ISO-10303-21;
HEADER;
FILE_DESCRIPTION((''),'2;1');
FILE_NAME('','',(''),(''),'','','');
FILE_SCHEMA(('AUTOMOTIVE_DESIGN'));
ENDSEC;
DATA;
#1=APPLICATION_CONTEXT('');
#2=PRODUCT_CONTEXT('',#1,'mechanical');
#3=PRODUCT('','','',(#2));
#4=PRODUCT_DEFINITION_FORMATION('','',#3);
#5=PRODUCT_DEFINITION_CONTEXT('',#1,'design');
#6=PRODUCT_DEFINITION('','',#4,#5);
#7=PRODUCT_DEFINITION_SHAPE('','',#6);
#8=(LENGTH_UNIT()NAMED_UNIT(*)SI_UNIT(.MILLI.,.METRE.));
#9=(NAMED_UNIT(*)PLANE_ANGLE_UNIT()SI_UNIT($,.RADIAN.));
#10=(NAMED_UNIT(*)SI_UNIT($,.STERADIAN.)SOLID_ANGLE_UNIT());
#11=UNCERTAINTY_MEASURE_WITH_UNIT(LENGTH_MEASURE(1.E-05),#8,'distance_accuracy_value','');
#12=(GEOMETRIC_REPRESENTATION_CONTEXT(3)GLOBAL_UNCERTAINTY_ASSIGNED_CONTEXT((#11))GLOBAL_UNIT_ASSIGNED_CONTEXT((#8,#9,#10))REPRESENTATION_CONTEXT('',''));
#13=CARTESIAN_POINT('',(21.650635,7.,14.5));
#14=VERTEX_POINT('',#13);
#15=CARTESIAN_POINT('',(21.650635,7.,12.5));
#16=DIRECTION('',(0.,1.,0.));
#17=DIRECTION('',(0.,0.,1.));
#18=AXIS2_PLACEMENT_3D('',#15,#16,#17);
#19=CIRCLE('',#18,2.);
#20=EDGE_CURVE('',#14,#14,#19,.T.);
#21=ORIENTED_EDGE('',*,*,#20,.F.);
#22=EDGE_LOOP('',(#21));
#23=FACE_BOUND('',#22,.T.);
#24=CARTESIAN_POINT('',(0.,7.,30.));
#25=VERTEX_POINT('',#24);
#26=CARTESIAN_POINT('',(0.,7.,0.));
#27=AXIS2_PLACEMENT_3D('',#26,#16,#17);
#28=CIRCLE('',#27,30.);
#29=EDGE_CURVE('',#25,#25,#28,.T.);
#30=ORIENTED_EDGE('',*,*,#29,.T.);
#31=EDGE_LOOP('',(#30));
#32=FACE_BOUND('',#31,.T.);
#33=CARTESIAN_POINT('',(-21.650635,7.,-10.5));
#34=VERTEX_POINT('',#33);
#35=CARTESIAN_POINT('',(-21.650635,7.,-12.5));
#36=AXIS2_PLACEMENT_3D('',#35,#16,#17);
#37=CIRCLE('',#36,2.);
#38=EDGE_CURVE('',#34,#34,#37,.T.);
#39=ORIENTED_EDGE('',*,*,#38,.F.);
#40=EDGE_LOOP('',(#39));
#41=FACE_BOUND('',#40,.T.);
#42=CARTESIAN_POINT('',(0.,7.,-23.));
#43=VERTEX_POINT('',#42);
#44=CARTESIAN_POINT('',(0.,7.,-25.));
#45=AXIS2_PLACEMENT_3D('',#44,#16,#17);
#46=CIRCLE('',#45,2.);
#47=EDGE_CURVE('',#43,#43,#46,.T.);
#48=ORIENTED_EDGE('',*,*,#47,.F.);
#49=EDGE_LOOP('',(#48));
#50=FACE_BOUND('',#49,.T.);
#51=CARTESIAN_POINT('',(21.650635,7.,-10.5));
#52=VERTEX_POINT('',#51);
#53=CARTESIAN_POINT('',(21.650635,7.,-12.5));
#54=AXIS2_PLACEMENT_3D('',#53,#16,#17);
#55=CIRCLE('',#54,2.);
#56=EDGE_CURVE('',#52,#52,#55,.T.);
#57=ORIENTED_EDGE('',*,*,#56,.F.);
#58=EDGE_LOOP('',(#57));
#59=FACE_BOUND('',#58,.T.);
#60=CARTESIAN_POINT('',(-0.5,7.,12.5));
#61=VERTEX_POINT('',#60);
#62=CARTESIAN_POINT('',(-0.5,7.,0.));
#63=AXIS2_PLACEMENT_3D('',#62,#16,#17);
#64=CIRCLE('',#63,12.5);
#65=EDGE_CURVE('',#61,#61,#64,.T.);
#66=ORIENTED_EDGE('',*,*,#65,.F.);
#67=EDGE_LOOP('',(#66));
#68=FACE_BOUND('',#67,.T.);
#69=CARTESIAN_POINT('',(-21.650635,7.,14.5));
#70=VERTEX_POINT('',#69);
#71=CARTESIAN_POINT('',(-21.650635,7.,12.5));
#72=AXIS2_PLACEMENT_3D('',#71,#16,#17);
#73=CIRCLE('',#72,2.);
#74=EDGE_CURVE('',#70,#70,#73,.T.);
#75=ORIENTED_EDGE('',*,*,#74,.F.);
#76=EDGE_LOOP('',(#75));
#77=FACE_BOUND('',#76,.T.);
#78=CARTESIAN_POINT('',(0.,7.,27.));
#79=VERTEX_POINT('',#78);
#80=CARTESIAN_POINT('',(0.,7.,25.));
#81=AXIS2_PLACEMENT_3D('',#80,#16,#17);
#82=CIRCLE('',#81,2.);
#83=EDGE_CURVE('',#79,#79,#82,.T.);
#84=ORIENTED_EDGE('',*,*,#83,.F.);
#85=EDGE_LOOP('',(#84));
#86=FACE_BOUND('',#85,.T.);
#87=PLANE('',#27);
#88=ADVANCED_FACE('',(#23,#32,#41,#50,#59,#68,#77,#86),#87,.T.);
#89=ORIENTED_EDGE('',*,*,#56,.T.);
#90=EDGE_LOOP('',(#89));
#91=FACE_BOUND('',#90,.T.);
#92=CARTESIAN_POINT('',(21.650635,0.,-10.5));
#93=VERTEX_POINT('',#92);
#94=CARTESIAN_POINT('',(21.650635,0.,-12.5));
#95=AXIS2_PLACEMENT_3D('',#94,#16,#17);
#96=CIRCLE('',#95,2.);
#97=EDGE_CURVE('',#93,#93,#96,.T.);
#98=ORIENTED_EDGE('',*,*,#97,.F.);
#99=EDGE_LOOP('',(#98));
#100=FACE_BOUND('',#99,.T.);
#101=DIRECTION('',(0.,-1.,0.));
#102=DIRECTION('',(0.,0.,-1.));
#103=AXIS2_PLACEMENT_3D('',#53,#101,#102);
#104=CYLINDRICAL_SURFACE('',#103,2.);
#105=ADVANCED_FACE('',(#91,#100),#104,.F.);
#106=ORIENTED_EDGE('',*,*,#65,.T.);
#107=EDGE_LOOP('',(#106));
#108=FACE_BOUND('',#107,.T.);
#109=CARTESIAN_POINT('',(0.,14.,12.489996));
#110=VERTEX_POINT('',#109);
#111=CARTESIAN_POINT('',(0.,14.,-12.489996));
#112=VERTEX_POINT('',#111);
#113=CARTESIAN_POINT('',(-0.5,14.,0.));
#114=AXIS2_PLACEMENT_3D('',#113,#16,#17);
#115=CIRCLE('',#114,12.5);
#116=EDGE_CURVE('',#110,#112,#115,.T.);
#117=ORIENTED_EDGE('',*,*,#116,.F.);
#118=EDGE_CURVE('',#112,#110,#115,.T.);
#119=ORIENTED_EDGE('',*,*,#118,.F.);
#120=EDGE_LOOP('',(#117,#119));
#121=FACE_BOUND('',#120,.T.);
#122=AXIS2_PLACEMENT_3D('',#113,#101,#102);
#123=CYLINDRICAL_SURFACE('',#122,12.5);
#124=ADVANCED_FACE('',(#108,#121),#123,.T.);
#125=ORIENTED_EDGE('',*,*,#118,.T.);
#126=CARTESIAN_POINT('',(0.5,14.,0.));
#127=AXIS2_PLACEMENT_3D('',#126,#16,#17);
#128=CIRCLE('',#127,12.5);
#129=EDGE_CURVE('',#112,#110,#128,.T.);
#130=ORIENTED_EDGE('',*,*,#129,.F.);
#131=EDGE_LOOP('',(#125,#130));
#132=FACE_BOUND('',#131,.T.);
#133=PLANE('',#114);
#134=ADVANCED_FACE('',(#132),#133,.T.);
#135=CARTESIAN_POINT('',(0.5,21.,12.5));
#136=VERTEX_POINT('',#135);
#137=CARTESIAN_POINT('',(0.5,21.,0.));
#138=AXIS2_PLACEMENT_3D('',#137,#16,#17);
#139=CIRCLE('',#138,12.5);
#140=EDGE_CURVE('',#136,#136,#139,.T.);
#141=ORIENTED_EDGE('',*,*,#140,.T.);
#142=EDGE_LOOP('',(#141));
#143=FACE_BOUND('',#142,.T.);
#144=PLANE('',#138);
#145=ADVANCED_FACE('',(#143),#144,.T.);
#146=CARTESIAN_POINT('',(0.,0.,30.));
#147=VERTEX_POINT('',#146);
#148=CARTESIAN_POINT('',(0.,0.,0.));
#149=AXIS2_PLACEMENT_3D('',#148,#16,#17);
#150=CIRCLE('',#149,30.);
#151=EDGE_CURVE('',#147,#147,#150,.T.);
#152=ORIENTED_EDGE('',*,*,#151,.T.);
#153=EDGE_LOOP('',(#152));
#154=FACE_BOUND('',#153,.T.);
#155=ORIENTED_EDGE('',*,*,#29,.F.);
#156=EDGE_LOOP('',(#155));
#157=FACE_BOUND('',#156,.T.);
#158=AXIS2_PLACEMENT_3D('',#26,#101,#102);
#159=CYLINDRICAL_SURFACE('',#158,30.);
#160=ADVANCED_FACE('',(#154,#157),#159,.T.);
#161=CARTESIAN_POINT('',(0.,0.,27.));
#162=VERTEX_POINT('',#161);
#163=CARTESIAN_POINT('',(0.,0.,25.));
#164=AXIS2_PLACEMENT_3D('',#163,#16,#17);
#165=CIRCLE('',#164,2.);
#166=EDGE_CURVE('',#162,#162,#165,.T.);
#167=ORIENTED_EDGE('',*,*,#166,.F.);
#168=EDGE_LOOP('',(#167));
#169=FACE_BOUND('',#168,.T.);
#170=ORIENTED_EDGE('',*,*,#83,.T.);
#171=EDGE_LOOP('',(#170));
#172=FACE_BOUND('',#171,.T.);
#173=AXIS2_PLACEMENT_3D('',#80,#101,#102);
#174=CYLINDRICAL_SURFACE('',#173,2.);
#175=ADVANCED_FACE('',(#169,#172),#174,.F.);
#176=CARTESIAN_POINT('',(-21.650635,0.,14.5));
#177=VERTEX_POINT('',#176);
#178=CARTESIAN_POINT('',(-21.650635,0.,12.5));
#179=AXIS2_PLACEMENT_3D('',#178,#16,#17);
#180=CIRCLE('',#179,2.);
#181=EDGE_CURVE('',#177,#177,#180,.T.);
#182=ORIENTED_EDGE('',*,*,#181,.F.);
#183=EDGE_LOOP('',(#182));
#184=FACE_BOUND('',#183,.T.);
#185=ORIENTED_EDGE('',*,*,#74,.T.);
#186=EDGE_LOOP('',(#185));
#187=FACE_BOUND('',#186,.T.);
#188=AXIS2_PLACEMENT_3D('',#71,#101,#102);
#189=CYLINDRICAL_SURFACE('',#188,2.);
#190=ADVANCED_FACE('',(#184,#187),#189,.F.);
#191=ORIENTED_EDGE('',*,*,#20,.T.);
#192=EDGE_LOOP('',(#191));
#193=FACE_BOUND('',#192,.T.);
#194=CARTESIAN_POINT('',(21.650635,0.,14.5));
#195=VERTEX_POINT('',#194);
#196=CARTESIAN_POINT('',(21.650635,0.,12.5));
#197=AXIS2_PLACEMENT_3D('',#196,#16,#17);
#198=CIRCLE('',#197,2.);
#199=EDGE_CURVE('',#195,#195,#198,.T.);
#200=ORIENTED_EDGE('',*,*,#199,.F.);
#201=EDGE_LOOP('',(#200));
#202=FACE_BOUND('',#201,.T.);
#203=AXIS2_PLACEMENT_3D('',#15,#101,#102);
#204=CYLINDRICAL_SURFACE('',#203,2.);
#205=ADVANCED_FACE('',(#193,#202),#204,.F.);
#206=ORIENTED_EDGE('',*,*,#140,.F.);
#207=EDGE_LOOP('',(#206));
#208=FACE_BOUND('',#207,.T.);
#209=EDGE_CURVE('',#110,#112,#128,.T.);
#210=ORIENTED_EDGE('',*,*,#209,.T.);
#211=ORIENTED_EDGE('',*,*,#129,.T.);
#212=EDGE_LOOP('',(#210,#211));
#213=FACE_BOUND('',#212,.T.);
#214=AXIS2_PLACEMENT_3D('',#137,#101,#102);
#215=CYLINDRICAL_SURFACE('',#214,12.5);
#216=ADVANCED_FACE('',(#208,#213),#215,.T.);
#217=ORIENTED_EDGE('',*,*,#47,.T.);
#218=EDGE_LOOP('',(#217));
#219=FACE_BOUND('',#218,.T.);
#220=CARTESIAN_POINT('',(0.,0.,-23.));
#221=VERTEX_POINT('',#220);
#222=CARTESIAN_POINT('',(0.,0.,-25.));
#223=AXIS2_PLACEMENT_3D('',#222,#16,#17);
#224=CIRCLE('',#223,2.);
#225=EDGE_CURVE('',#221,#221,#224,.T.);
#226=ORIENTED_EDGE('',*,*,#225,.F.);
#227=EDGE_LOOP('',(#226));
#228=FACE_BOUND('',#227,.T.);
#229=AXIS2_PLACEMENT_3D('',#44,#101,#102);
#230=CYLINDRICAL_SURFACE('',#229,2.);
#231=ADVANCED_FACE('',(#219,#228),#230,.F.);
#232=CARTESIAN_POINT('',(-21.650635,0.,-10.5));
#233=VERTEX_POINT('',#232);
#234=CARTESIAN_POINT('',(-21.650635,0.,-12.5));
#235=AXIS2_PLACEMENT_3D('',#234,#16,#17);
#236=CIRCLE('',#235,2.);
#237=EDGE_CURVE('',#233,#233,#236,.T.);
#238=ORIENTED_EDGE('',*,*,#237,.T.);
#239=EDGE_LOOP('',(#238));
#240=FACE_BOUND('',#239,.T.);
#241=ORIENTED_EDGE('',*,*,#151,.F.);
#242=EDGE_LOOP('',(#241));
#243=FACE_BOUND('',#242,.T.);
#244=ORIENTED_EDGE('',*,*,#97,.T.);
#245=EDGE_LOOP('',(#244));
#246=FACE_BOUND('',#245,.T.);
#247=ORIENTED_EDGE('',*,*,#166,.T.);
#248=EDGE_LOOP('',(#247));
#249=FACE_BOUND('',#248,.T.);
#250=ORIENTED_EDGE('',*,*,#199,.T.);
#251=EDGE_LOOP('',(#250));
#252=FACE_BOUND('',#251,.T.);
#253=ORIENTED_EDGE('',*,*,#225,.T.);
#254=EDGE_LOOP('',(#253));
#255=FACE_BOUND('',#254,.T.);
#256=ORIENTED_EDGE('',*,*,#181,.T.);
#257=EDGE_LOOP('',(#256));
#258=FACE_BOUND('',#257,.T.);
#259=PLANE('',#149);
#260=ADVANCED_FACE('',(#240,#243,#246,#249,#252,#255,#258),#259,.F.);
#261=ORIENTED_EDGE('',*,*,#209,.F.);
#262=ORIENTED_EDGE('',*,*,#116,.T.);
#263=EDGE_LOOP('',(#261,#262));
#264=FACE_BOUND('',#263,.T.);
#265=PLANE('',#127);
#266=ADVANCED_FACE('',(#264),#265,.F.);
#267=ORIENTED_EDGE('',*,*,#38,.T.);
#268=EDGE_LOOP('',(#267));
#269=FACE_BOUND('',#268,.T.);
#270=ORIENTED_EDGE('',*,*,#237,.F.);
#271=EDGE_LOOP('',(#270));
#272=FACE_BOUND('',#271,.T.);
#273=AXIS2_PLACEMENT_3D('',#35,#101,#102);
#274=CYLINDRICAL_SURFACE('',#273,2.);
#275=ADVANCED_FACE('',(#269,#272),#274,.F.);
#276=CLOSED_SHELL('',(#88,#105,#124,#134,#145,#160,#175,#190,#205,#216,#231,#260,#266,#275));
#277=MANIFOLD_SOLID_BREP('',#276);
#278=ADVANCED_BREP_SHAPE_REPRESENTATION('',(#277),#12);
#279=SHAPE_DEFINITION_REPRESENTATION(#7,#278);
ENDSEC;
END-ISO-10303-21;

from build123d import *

# Parameters (mm, degrees)
SKETCH1_R           = 30
SKETCH1_R_2         = 2
BOSS_EXTRUDE1_DEPTH = 7
SKETCH2_R           = 12.5
BOSS_EXTRUDE2_DEPTH = 7
SKETCH3_R           = 12.5
BOSS_EXTRUDE3_DEPTH = 7


with BuildPart() as part:
    # Sketch1 → Boss-Extrude1 (new body)
    with BuildSketch(Plane(origin=(0, 0, 0), x_dir=(1, 0, 0), z_dir=(0, 1, 0))):
        with Locations(Location((0, 0, 0), (0, 0, 270))):
            Circle(SKETCH1_R)
        with Locations(Location((0, 25, 0), (0, 0, 270))):
            Circle(SKETCH1_R_2, mode=Mode.SUBTRACT)
        with Locations(Location((21.650635095, 12.5, 0), (0, 0, 270))):
            Circle(SKETCH1_R_2, mode=Mode.SUBTRACT)
        with Locations(Location((21.650635095, -12.5, 0), (0, 0, 270))):
            Circle(SKETCH1_R_2, mode=Mode.SUBTRACT)
        with Locations(Location((0, -25, 0), (0, 0, 270))):
            Circle(SKETCH1_R_2, mode=Mode.SUBTRACT)
        with Locations(Location((-21.650635095, -12.5, 0), (0, 0, 270))):
            Circle(SKETCH1_R_2, mode=Mode.SUBTRACT)
        with Locations(Location((-21.650635095, 12.5, 0), (0, 0, 270))):
            Circle(SKETCH1_R_2, mode=Mode.SUBTRACT)
    extrude(amount=BOSS_EXTRUDE1_DEPTH)

    # Sketch2 → Boss-Extrude2 (add)
    with BuildSketch(Plane(origin=(0, 7, 0), x_dir=(1, 0, 0), z_dir=(0, 1, 0))):
        with Locations(Location((-0.5, 0, 0), (0, 0, 270))):
            Circle(SKETCH2_R)
    extrude(amount=BOSS_EXTRUDE2_DEPTH)

    # Sketch3 → Boss-Extrude3 (add)
    with BuildSketch(Plane(origin=(0, 14, 0), x_dir=(1, 0, 0), z_dir=(0, 1, 0))):
        with Locations(Location((0.5, 0, 0), (0, 0, 92.292442776))):
            Circle(SKETCH3_R)
    extrude(amount=BOSS_EXTRUDE3_DEPTH)


solid = part.part
